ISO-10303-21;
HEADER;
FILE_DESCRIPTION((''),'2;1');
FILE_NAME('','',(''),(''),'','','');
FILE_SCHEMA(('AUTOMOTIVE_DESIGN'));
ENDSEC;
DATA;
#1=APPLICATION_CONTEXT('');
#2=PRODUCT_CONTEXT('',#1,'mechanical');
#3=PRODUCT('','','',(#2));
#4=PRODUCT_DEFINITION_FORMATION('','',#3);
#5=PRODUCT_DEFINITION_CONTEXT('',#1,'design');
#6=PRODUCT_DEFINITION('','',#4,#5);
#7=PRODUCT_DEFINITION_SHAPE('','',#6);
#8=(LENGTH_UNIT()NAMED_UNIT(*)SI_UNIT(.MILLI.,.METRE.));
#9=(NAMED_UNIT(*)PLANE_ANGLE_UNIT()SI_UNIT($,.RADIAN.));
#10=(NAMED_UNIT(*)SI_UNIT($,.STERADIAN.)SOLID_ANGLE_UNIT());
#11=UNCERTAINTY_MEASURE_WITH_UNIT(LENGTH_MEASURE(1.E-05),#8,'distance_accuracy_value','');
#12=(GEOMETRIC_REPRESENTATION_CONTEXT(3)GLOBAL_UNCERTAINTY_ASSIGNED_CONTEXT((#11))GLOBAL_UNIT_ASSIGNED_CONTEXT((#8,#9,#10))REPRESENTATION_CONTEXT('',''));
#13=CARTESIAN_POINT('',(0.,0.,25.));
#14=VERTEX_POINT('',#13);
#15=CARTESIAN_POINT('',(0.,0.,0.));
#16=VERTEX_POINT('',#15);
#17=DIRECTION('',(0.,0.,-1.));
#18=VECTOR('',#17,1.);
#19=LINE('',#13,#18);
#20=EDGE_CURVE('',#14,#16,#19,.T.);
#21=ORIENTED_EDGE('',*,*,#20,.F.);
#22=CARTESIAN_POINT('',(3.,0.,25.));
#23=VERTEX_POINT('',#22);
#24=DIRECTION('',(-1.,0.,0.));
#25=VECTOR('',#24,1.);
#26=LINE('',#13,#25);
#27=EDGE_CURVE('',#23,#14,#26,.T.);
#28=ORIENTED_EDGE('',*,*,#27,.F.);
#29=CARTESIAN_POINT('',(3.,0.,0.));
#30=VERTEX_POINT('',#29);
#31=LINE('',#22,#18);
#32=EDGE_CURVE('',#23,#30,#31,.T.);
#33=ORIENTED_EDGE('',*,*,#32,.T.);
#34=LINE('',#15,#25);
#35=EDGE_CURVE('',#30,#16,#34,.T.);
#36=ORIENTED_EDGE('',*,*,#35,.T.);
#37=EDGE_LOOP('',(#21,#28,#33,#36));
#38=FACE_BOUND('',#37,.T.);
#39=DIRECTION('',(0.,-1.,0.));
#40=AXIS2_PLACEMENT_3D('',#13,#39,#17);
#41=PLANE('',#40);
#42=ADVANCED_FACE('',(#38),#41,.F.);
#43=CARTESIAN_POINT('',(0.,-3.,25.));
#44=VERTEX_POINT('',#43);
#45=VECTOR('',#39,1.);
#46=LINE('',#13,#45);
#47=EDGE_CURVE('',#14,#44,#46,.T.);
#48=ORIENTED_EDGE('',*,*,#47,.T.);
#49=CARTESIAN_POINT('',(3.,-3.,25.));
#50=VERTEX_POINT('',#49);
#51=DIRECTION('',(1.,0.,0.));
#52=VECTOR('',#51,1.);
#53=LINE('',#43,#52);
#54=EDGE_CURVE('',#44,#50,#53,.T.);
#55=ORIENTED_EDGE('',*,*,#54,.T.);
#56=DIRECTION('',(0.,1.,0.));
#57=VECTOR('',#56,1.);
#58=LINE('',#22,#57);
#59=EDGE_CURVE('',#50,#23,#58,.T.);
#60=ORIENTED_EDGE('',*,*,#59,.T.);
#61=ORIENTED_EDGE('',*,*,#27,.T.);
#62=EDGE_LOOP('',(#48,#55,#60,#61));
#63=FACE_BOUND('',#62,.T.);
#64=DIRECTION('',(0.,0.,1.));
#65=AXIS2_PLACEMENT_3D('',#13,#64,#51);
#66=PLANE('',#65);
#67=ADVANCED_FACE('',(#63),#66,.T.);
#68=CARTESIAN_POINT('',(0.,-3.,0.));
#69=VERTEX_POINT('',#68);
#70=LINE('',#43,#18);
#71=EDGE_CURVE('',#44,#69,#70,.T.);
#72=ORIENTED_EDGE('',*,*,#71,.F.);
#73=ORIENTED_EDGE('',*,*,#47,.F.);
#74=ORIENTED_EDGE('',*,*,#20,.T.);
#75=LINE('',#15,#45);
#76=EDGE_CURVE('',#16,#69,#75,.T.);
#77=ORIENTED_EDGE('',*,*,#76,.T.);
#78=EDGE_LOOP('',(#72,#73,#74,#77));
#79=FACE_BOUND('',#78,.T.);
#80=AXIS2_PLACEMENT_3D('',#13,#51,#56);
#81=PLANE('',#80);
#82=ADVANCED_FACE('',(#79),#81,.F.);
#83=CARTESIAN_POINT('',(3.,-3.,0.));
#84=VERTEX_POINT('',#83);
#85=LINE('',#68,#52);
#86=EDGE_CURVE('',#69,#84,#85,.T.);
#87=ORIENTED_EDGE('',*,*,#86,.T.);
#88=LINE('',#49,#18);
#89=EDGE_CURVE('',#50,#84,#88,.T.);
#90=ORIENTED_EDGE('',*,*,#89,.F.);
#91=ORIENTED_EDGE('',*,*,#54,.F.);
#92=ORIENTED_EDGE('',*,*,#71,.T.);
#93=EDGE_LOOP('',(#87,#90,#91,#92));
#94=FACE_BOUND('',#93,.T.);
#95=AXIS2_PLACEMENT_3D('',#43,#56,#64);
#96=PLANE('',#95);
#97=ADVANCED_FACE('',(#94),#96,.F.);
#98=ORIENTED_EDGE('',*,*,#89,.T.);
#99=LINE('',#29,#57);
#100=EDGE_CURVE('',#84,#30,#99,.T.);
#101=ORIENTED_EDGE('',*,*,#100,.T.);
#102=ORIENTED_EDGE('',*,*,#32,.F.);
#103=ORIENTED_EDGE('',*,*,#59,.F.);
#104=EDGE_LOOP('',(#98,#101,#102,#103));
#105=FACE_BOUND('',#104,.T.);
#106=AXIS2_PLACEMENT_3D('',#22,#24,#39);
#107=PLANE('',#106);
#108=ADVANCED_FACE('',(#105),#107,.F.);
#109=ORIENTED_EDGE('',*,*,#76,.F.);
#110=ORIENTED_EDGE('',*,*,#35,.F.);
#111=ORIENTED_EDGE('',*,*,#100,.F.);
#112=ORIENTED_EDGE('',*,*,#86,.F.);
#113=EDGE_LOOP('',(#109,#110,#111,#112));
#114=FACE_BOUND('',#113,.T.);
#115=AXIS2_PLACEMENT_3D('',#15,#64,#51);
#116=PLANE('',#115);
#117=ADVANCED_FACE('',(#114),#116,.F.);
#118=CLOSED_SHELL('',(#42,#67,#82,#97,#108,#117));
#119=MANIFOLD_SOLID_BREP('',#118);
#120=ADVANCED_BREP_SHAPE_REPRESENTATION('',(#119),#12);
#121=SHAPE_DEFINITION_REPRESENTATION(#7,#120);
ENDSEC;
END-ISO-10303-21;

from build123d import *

# Parameters (mm, degrees)
SCHIZZO1_W                   = 3
SCHIZZO1_H                   = 3
ESTRUSIONE_ESTRUSIONE1_DEPTH = 25


with BuildPart() as part:
    # Schizzo1 → Estrusione-Estrusione1 (new body)
    with BuildSketch(Plane.XY):
        with Locations((1.5, -1.5)):
            Rectangle(SCHIZZO1_W, SCHIZZO1_H)
    extrude(amount=ESTRUSIONE_ESTRUSIONE1_DEPTH)


solid = part.part
